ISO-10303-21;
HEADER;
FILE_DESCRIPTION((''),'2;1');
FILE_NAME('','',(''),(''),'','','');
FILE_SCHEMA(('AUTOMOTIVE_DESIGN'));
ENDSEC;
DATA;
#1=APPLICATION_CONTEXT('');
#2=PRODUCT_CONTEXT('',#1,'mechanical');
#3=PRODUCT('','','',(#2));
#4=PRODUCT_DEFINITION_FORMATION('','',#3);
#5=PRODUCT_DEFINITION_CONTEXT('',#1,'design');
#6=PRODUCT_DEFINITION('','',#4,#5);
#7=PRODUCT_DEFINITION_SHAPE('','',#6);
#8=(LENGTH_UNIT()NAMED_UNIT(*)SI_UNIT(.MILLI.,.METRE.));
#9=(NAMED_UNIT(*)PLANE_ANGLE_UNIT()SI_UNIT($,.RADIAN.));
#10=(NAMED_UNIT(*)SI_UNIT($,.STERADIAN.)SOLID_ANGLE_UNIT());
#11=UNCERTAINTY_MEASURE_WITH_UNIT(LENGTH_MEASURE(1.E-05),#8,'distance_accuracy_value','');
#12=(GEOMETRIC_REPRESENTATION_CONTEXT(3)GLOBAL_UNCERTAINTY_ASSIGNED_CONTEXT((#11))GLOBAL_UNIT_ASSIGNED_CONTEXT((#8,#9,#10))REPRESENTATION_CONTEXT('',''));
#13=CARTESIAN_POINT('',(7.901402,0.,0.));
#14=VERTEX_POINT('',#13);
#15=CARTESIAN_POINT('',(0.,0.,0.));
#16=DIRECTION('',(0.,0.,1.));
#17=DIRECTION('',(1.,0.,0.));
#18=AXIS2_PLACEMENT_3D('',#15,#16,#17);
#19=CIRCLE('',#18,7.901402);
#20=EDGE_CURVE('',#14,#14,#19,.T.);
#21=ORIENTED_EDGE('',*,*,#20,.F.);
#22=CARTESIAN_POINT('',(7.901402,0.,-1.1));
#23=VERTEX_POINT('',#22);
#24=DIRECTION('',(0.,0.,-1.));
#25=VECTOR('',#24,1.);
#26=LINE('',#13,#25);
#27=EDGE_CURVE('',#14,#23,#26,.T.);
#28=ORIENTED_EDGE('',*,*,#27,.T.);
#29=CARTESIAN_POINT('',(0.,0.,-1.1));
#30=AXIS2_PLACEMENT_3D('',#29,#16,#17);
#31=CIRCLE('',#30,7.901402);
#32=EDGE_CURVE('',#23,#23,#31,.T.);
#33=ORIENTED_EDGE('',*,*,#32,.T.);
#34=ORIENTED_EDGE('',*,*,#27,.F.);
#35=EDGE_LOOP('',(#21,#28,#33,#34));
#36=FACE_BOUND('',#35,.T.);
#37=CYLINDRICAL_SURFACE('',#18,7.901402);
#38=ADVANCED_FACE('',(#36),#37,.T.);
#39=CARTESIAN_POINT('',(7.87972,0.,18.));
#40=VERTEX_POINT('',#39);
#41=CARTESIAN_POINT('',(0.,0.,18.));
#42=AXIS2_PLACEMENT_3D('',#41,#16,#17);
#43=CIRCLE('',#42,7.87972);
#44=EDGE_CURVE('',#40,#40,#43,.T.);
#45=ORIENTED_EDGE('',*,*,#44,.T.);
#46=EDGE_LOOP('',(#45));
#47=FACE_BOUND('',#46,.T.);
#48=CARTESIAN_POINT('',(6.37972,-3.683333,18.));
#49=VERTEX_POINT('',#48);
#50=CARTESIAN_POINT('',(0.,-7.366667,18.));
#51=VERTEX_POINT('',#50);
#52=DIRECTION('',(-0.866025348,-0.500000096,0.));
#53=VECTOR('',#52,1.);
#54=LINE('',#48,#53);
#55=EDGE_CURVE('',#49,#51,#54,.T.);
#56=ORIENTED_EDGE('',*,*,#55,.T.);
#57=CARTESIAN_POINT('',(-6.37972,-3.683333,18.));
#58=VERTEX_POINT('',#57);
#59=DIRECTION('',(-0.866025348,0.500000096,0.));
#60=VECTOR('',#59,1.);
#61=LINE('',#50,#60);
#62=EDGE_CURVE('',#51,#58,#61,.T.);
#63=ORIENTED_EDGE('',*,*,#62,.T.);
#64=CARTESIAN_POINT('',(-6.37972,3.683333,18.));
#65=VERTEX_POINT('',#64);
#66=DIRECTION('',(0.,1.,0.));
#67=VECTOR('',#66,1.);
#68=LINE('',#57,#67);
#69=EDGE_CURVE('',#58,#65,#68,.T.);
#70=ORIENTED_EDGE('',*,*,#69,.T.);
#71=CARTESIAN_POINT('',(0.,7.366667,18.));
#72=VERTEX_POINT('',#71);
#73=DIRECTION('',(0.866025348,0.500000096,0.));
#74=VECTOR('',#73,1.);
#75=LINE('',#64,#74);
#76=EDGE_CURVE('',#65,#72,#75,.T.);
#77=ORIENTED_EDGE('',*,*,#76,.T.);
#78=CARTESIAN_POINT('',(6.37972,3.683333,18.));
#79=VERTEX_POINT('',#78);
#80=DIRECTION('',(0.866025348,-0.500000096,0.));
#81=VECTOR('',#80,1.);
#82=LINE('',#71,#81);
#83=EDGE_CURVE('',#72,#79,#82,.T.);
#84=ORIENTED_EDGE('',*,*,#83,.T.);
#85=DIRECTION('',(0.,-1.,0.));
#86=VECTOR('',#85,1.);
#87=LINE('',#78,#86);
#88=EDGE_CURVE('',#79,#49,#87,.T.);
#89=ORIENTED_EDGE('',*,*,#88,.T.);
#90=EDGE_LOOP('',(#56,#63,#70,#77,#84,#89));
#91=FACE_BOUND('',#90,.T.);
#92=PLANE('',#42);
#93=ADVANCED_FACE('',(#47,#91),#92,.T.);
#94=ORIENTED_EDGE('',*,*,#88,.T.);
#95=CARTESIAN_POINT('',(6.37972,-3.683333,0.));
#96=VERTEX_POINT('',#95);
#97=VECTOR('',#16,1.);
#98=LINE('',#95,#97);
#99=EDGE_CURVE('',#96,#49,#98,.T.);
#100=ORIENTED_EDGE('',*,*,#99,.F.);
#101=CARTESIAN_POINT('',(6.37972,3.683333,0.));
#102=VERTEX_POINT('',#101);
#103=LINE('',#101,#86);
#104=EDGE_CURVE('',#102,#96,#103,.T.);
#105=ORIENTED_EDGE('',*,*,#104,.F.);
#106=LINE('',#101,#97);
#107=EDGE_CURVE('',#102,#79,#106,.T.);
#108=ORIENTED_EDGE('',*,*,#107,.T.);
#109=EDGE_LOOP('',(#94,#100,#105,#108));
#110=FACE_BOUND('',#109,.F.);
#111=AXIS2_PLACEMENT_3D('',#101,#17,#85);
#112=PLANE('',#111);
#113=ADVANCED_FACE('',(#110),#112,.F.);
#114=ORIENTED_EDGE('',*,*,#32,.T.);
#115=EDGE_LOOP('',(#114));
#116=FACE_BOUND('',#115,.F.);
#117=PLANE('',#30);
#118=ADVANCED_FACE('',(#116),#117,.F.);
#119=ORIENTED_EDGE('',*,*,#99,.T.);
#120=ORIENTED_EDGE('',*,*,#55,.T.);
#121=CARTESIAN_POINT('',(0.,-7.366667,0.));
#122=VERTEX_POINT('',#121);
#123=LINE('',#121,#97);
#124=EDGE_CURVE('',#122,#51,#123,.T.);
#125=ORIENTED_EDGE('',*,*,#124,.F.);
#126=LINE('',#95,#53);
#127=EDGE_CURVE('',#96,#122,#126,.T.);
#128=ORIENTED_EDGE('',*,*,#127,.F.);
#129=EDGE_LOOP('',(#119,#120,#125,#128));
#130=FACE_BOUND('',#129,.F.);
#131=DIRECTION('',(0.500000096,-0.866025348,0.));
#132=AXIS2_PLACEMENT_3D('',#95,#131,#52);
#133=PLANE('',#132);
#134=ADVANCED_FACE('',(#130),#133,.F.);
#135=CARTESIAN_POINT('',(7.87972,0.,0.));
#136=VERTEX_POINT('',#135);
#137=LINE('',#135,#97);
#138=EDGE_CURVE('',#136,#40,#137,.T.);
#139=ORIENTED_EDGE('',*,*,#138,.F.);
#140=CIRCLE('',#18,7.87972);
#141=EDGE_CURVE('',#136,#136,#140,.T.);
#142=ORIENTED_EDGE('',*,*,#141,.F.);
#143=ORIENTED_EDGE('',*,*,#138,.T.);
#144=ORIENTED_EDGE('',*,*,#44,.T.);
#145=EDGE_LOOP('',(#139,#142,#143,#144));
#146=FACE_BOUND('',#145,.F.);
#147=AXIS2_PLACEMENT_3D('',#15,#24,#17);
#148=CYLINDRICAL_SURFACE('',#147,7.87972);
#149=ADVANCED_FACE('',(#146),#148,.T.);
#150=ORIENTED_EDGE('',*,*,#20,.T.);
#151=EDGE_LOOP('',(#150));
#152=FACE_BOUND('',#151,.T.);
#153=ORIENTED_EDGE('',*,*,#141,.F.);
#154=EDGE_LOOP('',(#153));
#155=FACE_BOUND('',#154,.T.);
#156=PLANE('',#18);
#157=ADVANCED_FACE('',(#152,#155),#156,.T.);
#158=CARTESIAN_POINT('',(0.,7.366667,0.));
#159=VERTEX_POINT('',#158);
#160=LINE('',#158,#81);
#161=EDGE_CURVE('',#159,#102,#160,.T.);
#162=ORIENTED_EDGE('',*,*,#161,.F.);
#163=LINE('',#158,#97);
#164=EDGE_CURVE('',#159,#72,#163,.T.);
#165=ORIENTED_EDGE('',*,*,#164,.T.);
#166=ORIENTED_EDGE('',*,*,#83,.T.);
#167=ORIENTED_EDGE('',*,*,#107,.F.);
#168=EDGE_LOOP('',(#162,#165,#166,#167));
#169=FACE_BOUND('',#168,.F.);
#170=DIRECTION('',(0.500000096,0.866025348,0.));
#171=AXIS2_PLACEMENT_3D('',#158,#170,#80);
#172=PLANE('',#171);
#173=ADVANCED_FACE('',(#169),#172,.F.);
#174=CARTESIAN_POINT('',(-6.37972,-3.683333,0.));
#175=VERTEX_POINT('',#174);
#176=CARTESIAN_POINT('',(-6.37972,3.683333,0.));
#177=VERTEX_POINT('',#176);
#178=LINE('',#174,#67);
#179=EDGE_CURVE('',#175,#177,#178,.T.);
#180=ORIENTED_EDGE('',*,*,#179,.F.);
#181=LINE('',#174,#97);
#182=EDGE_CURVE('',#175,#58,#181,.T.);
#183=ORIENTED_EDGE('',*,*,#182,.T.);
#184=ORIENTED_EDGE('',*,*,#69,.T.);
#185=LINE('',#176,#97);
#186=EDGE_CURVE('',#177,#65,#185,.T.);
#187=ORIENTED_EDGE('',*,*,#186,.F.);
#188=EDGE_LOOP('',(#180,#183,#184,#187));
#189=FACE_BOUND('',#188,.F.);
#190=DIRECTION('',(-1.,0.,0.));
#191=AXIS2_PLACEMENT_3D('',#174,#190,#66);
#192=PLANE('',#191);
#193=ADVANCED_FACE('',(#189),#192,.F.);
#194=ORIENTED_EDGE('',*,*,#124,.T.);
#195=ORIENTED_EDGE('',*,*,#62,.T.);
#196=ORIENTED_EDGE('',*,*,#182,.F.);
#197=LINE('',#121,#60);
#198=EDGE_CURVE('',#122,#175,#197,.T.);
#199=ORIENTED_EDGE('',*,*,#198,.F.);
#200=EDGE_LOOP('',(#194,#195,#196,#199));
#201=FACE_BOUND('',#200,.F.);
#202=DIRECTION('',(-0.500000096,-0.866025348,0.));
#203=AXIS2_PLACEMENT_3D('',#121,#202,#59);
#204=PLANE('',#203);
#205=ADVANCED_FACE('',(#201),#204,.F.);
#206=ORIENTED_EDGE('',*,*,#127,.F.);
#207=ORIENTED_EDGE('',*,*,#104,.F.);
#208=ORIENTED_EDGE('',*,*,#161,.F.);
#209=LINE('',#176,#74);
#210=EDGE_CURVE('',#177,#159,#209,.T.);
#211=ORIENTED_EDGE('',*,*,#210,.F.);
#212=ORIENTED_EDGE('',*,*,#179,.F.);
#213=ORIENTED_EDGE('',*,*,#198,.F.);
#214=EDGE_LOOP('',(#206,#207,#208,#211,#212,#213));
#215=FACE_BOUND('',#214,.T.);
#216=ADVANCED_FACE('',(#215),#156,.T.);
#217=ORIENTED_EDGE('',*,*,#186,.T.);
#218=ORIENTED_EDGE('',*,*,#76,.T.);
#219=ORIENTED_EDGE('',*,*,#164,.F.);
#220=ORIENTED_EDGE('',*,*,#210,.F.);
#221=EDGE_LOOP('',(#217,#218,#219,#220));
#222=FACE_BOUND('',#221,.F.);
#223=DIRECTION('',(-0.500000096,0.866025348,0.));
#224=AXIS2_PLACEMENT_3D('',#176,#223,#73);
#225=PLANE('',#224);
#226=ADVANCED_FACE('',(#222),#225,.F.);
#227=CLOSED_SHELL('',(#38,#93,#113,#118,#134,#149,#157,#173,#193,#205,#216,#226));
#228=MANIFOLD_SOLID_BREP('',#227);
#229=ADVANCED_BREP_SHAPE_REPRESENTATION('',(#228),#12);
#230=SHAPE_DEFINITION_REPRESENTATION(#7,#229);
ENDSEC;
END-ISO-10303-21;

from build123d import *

# Parameters (mm, degrees)
F0_R     = 7.87972
F1_DEPTH = 18
F2_R     = 7.901402
F3_DEPTH = 1.1


with BuildPart() as f1:
    # F0 (on Top) → F1 (new body)
    with BuildSketch(Plane.XY):
        Circle(F0_R)
        Polygon((0, 7.366667), (6.37972, 3.683333), (6.37972, -3.683333), (0, -7.366667), (-6.37972, -3.683333), (-6.37972, 3.683333), align=None, mode=Mode.SUBTRACT)
    extrude(amount=F1_DEPTH)

    # F2 (on Top) → F3 (join)
    with BuildSketch(Plane.XY):
        Circle(F2_R)
    extrude(amount=-F3_DEPTH)


solid = f1.part
